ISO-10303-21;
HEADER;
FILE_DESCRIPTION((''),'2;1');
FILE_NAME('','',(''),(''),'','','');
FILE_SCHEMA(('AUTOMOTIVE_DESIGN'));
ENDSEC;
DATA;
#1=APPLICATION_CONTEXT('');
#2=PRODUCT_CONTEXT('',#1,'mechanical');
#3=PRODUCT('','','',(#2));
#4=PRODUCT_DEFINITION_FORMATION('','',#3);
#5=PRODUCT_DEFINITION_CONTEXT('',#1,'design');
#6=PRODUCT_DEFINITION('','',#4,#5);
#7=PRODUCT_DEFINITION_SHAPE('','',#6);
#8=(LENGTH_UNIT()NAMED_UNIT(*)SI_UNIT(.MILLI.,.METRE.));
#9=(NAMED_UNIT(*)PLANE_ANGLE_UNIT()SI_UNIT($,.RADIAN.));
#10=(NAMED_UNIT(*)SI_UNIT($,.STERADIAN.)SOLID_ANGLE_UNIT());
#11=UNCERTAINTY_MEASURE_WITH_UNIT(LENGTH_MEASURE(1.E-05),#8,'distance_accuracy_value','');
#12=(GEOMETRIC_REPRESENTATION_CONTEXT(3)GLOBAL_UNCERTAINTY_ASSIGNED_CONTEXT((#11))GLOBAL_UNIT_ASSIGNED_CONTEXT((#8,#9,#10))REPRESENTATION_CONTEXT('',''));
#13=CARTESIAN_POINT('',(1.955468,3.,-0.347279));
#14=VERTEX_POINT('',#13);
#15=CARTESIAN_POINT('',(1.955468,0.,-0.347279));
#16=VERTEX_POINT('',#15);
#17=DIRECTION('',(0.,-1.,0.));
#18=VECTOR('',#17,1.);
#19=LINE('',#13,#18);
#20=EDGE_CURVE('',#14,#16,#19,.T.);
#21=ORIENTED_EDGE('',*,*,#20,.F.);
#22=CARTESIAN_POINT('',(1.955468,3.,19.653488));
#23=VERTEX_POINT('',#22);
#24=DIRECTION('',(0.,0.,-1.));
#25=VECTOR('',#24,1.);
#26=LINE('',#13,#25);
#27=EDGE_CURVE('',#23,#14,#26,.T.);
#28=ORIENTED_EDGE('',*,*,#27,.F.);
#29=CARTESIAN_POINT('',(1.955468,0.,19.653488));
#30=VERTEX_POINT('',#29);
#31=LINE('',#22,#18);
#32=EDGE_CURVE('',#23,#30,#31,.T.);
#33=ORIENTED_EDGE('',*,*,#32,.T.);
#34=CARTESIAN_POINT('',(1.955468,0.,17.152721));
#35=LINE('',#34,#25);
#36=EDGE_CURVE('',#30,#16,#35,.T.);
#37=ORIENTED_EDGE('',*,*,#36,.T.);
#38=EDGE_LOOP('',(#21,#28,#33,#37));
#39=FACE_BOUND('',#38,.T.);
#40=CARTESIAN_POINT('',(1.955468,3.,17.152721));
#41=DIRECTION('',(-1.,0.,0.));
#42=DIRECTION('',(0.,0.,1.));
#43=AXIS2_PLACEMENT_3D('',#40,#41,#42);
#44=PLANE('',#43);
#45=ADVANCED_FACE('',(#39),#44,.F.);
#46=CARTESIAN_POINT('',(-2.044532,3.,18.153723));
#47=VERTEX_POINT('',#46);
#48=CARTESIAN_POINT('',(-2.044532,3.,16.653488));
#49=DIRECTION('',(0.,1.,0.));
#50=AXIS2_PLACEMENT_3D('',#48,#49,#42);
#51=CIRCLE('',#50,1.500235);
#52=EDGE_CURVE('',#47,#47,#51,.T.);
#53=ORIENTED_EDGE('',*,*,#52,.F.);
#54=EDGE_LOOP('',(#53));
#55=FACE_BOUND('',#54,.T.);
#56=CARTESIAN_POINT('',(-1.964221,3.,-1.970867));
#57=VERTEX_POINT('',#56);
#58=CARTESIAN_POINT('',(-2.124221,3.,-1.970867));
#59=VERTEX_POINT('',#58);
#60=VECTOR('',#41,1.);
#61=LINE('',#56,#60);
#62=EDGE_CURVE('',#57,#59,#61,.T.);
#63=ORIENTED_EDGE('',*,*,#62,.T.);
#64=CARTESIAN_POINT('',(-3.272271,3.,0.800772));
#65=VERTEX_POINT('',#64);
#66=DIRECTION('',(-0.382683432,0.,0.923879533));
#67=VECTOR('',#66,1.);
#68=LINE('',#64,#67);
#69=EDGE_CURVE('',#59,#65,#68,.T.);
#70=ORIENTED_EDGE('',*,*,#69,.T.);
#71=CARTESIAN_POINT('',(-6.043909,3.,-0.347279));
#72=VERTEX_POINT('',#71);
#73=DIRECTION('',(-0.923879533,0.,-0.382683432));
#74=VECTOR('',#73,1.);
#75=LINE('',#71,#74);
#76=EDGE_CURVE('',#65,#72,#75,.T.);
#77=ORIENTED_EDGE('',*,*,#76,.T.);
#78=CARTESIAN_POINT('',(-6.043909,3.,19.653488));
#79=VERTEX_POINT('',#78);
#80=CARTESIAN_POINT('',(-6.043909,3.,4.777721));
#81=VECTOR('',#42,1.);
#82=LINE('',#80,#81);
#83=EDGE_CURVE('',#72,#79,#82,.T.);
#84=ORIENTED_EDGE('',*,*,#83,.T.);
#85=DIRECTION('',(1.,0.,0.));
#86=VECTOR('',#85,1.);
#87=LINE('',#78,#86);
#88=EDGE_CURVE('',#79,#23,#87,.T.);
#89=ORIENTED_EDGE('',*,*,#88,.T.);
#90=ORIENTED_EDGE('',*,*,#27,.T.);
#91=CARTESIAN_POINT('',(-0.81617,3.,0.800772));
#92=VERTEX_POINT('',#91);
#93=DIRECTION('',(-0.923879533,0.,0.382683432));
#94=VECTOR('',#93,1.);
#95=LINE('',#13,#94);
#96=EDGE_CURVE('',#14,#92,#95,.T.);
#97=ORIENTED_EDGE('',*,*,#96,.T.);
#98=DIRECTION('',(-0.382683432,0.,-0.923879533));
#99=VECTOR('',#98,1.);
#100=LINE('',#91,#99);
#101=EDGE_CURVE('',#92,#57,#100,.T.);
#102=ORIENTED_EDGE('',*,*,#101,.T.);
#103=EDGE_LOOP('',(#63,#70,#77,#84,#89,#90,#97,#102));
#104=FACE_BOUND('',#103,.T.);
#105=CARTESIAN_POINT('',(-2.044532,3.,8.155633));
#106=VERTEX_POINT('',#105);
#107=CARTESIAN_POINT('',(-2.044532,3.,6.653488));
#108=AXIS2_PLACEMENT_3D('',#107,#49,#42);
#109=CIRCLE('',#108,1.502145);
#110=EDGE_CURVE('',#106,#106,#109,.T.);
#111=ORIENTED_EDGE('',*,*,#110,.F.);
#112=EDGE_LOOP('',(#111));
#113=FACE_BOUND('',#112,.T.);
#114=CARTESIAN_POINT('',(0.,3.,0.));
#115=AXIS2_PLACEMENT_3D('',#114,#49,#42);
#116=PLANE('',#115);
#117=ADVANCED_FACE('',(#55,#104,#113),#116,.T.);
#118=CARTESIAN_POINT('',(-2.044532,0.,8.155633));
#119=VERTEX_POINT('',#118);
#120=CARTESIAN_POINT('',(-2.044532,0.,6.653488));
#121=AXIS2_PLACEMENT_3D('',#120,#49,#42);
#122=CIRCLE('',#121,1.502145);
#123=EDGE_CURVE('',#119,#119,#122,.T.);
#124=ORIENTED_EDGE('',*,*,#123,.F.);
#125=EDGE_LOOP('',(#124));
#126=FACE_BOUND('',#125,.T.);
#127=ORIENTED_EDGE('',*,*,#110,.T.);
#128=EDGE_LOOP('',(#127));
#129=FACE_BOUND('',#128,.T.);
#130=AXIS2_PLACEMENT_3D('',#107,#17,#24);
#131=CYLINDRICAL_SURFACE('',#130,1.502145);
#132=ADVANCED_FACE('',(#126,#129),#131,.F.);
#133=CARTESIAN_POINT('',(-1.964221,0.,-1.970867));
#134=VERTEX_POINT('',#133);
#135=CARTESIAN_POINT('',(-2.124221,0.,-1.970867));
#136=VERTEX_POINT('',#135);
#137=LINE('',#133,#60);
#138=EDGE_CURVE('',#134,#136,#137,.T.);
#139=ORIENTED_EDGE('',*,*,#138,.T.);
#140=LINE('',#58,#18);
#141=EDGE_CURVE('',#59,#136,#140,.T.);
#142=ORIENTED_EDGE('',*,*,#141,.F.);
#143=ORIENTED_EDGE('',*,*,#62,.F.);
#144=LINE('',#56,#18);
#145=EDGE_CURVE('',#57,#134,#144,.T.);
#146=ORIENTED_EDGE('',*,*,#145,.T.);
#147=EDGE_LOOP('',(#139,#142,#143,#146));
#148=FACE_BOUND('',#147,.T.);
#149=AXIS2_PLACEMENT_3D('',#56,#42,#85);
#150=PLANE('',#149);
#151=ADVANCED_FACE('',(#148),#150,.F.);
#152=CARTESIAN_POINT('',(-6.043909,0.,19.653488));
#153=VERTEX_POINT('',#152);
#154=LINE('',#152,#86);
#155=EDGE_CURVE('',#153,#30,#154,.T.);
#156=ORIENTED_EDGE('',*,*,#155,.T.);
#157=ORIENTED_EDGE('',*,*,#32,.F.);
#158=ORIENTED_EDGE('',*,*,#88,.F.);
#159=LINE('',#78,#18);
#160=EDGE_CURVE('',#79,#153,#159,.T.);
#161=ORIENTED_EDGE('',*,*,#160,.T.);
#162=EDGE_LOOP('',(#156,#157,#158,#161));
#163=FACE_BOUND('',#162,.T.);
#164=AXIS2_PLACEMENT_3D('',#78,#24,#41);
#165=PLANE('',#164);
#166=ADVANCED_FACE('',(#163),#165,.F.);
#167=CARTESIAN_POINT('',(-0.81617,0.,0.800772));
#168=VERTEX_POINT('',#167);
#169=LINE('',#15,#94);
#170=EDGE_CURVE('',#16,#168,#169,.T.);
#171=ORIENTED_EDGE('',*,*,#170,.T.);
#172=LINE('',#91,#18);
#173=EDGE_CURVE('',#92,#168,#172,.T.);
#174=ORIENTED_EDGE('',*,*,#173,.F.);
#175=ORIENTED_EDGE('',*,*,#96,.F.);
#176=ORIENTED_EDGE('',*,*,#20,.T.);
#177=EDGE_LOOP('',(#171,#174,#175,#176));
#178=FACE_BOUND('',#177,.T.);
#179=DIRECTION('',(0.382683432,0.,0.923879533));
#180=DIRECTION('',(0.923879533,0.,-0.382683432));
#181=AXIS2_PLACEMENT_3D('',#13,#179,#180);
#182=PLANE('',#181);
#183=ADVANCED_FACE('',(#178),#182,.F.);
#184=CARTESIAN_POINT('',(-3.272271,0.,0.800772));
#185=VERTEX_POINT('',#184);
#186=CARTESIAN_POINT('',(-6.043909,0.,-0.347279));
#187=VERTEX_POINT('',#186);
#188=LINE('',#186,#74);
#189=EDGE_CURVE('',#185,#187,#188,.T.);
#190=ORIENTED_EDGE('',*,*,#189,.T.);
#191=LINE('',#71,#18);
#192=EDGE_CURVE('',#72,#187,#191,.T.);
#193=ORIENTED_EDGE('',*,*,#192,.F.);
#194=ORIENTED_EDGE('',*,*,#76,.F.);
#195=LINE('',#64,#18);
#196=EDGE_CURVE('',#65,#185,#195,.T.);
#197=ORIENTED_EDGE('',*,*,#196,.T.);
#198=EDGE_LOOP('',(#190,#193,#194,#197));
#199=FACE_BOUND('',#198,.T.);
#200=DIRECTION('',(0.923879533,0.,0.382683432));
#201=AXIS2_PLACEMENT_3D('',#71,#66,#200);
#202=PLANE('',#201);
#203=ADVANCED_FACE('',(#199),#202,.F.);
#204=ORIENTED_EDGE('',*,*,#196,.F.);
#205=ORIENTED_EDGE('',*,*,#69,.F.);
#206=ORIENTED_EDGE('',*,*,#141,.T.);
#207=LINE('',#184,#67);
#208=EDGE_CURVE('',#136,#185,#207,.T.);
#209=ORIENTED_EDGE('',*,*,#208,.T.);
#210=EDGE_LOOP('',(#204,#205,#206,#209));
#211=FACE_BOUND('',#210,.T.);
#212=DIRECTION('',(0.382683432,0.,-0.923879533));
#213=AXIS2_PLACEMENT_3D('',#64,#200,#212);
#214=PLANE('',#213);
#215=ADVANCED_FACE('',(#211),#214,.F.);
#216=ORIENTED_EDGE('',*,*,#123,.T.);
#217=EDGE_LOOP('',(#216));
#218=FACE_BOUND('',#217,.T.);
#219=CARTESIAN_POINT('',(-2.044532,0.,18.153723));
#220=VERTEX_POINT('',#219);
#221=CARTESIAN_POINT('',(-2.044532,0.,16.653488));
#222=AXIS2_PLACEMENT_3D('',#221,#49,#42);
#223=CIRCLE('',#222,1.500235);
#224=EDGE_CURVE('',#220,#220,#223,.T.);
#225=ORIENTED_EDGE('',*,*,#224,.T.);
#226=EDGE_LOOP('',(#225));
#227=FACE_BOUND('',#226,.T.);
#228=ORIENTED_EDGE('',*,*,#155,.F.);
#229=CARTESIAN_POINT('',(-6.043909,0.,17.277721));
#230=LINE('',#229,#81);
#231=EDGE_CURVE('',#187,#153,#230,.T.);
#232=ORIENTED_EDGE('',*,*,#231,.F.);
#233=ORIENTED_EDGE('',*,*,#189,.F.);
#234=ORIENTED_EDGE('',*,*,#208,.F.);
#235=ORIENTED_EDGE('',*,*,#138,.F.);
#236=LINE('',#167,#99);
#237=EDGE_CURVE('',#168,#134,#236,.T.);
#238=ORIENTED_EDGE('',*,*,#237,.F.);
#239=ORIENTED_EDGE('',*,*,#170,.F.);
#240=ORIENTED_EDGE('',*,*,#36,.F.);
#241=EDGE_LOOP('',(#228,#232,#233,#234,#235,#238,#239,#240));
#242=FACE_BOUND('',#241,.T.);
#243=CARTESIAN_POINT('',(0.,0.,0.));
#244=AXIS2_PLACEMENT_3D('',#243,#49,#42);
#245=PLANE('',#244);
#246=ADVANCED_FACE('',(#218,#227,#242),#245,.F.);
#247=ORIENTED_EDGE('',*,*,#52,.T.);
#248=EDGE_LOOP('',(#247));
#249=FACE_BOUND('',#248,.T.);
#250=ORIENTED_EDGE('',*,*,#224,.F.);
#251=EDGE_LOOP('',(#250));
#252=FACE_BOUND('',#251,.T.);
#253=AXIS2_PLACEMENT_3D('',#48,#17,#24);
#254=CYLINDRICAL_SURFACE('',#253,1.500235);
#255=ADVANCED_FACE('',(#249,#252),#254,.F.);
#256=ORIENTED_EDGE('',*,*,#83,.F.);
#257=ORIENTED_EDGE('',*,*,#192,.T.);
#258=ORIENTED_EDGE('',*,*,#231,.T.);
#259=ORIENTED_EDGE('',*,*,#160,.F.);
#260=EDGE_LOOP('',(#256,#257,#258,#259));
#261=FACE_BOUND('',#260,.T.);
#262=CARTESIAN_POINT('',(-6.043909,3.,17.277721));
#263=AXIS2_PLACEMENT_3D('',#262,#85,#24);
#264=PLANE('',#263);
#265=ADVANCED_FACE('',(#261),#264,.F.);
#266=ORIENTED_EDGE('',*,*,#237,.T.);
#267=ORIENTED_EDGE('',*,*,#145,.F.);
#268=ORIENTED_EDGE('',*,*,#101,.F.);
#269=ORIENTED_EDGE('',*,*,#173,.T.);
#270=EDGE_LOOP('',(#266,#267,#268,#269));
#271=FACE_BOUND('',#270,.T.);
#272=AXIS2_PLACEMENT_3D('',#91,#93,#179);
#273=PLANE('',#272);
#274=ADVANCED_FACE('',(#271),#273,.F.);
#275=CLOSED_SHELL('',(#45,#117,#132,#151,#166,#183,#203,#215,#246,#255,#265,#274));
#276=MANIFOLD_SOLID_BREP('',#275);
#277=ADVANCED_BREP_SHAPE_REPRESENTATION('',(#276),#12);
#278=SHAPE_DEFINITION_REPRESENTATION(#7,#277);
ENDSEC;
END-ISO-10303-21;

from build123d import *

# Parameters (mm, degrees)
SKETCH1_R           = 1.502144761
SKETCH1_R_2         = 1.500235367
BOSS_EXTRUDE3_DEPTH = 3


with BuildPart() as part:
    # Sketch1 → Boss-Extrude3 (new body)
    with BuildSketch(Plane(origin=(0, 0, 0), x_dir=(1, 0, 0), z_dir=(0, 1, 0))):
        Polygon((-3.272270882, -0.800771607), (-2.124220585, 1.970866991), (-1.964220585, 1.970866991), (-0.816170288, -0.800771607), (1.95546831, 0.34727869), (1.95546831, -17.15272131), (1.95546831, -19.653488119), (-6.043909479, -19.653488119), (-6.043909479, -17.27772131), (-6.043909479, -4.77772131), (-6.043909479, 0.34727869), align=None)
        with Locations((-2.04453169, -6.653488119)):
            Circle(SKETCH1_R, mode=Mode.SUBTRACT)
        with Locations((-2.04453169, -16.653488119)):
            Circle(SKETCH1_R_2, mode=Mode.SUBTRACT)
    extrude(amount=BOSS_EXTRUDE3_DEPTH)


solid = part.part
